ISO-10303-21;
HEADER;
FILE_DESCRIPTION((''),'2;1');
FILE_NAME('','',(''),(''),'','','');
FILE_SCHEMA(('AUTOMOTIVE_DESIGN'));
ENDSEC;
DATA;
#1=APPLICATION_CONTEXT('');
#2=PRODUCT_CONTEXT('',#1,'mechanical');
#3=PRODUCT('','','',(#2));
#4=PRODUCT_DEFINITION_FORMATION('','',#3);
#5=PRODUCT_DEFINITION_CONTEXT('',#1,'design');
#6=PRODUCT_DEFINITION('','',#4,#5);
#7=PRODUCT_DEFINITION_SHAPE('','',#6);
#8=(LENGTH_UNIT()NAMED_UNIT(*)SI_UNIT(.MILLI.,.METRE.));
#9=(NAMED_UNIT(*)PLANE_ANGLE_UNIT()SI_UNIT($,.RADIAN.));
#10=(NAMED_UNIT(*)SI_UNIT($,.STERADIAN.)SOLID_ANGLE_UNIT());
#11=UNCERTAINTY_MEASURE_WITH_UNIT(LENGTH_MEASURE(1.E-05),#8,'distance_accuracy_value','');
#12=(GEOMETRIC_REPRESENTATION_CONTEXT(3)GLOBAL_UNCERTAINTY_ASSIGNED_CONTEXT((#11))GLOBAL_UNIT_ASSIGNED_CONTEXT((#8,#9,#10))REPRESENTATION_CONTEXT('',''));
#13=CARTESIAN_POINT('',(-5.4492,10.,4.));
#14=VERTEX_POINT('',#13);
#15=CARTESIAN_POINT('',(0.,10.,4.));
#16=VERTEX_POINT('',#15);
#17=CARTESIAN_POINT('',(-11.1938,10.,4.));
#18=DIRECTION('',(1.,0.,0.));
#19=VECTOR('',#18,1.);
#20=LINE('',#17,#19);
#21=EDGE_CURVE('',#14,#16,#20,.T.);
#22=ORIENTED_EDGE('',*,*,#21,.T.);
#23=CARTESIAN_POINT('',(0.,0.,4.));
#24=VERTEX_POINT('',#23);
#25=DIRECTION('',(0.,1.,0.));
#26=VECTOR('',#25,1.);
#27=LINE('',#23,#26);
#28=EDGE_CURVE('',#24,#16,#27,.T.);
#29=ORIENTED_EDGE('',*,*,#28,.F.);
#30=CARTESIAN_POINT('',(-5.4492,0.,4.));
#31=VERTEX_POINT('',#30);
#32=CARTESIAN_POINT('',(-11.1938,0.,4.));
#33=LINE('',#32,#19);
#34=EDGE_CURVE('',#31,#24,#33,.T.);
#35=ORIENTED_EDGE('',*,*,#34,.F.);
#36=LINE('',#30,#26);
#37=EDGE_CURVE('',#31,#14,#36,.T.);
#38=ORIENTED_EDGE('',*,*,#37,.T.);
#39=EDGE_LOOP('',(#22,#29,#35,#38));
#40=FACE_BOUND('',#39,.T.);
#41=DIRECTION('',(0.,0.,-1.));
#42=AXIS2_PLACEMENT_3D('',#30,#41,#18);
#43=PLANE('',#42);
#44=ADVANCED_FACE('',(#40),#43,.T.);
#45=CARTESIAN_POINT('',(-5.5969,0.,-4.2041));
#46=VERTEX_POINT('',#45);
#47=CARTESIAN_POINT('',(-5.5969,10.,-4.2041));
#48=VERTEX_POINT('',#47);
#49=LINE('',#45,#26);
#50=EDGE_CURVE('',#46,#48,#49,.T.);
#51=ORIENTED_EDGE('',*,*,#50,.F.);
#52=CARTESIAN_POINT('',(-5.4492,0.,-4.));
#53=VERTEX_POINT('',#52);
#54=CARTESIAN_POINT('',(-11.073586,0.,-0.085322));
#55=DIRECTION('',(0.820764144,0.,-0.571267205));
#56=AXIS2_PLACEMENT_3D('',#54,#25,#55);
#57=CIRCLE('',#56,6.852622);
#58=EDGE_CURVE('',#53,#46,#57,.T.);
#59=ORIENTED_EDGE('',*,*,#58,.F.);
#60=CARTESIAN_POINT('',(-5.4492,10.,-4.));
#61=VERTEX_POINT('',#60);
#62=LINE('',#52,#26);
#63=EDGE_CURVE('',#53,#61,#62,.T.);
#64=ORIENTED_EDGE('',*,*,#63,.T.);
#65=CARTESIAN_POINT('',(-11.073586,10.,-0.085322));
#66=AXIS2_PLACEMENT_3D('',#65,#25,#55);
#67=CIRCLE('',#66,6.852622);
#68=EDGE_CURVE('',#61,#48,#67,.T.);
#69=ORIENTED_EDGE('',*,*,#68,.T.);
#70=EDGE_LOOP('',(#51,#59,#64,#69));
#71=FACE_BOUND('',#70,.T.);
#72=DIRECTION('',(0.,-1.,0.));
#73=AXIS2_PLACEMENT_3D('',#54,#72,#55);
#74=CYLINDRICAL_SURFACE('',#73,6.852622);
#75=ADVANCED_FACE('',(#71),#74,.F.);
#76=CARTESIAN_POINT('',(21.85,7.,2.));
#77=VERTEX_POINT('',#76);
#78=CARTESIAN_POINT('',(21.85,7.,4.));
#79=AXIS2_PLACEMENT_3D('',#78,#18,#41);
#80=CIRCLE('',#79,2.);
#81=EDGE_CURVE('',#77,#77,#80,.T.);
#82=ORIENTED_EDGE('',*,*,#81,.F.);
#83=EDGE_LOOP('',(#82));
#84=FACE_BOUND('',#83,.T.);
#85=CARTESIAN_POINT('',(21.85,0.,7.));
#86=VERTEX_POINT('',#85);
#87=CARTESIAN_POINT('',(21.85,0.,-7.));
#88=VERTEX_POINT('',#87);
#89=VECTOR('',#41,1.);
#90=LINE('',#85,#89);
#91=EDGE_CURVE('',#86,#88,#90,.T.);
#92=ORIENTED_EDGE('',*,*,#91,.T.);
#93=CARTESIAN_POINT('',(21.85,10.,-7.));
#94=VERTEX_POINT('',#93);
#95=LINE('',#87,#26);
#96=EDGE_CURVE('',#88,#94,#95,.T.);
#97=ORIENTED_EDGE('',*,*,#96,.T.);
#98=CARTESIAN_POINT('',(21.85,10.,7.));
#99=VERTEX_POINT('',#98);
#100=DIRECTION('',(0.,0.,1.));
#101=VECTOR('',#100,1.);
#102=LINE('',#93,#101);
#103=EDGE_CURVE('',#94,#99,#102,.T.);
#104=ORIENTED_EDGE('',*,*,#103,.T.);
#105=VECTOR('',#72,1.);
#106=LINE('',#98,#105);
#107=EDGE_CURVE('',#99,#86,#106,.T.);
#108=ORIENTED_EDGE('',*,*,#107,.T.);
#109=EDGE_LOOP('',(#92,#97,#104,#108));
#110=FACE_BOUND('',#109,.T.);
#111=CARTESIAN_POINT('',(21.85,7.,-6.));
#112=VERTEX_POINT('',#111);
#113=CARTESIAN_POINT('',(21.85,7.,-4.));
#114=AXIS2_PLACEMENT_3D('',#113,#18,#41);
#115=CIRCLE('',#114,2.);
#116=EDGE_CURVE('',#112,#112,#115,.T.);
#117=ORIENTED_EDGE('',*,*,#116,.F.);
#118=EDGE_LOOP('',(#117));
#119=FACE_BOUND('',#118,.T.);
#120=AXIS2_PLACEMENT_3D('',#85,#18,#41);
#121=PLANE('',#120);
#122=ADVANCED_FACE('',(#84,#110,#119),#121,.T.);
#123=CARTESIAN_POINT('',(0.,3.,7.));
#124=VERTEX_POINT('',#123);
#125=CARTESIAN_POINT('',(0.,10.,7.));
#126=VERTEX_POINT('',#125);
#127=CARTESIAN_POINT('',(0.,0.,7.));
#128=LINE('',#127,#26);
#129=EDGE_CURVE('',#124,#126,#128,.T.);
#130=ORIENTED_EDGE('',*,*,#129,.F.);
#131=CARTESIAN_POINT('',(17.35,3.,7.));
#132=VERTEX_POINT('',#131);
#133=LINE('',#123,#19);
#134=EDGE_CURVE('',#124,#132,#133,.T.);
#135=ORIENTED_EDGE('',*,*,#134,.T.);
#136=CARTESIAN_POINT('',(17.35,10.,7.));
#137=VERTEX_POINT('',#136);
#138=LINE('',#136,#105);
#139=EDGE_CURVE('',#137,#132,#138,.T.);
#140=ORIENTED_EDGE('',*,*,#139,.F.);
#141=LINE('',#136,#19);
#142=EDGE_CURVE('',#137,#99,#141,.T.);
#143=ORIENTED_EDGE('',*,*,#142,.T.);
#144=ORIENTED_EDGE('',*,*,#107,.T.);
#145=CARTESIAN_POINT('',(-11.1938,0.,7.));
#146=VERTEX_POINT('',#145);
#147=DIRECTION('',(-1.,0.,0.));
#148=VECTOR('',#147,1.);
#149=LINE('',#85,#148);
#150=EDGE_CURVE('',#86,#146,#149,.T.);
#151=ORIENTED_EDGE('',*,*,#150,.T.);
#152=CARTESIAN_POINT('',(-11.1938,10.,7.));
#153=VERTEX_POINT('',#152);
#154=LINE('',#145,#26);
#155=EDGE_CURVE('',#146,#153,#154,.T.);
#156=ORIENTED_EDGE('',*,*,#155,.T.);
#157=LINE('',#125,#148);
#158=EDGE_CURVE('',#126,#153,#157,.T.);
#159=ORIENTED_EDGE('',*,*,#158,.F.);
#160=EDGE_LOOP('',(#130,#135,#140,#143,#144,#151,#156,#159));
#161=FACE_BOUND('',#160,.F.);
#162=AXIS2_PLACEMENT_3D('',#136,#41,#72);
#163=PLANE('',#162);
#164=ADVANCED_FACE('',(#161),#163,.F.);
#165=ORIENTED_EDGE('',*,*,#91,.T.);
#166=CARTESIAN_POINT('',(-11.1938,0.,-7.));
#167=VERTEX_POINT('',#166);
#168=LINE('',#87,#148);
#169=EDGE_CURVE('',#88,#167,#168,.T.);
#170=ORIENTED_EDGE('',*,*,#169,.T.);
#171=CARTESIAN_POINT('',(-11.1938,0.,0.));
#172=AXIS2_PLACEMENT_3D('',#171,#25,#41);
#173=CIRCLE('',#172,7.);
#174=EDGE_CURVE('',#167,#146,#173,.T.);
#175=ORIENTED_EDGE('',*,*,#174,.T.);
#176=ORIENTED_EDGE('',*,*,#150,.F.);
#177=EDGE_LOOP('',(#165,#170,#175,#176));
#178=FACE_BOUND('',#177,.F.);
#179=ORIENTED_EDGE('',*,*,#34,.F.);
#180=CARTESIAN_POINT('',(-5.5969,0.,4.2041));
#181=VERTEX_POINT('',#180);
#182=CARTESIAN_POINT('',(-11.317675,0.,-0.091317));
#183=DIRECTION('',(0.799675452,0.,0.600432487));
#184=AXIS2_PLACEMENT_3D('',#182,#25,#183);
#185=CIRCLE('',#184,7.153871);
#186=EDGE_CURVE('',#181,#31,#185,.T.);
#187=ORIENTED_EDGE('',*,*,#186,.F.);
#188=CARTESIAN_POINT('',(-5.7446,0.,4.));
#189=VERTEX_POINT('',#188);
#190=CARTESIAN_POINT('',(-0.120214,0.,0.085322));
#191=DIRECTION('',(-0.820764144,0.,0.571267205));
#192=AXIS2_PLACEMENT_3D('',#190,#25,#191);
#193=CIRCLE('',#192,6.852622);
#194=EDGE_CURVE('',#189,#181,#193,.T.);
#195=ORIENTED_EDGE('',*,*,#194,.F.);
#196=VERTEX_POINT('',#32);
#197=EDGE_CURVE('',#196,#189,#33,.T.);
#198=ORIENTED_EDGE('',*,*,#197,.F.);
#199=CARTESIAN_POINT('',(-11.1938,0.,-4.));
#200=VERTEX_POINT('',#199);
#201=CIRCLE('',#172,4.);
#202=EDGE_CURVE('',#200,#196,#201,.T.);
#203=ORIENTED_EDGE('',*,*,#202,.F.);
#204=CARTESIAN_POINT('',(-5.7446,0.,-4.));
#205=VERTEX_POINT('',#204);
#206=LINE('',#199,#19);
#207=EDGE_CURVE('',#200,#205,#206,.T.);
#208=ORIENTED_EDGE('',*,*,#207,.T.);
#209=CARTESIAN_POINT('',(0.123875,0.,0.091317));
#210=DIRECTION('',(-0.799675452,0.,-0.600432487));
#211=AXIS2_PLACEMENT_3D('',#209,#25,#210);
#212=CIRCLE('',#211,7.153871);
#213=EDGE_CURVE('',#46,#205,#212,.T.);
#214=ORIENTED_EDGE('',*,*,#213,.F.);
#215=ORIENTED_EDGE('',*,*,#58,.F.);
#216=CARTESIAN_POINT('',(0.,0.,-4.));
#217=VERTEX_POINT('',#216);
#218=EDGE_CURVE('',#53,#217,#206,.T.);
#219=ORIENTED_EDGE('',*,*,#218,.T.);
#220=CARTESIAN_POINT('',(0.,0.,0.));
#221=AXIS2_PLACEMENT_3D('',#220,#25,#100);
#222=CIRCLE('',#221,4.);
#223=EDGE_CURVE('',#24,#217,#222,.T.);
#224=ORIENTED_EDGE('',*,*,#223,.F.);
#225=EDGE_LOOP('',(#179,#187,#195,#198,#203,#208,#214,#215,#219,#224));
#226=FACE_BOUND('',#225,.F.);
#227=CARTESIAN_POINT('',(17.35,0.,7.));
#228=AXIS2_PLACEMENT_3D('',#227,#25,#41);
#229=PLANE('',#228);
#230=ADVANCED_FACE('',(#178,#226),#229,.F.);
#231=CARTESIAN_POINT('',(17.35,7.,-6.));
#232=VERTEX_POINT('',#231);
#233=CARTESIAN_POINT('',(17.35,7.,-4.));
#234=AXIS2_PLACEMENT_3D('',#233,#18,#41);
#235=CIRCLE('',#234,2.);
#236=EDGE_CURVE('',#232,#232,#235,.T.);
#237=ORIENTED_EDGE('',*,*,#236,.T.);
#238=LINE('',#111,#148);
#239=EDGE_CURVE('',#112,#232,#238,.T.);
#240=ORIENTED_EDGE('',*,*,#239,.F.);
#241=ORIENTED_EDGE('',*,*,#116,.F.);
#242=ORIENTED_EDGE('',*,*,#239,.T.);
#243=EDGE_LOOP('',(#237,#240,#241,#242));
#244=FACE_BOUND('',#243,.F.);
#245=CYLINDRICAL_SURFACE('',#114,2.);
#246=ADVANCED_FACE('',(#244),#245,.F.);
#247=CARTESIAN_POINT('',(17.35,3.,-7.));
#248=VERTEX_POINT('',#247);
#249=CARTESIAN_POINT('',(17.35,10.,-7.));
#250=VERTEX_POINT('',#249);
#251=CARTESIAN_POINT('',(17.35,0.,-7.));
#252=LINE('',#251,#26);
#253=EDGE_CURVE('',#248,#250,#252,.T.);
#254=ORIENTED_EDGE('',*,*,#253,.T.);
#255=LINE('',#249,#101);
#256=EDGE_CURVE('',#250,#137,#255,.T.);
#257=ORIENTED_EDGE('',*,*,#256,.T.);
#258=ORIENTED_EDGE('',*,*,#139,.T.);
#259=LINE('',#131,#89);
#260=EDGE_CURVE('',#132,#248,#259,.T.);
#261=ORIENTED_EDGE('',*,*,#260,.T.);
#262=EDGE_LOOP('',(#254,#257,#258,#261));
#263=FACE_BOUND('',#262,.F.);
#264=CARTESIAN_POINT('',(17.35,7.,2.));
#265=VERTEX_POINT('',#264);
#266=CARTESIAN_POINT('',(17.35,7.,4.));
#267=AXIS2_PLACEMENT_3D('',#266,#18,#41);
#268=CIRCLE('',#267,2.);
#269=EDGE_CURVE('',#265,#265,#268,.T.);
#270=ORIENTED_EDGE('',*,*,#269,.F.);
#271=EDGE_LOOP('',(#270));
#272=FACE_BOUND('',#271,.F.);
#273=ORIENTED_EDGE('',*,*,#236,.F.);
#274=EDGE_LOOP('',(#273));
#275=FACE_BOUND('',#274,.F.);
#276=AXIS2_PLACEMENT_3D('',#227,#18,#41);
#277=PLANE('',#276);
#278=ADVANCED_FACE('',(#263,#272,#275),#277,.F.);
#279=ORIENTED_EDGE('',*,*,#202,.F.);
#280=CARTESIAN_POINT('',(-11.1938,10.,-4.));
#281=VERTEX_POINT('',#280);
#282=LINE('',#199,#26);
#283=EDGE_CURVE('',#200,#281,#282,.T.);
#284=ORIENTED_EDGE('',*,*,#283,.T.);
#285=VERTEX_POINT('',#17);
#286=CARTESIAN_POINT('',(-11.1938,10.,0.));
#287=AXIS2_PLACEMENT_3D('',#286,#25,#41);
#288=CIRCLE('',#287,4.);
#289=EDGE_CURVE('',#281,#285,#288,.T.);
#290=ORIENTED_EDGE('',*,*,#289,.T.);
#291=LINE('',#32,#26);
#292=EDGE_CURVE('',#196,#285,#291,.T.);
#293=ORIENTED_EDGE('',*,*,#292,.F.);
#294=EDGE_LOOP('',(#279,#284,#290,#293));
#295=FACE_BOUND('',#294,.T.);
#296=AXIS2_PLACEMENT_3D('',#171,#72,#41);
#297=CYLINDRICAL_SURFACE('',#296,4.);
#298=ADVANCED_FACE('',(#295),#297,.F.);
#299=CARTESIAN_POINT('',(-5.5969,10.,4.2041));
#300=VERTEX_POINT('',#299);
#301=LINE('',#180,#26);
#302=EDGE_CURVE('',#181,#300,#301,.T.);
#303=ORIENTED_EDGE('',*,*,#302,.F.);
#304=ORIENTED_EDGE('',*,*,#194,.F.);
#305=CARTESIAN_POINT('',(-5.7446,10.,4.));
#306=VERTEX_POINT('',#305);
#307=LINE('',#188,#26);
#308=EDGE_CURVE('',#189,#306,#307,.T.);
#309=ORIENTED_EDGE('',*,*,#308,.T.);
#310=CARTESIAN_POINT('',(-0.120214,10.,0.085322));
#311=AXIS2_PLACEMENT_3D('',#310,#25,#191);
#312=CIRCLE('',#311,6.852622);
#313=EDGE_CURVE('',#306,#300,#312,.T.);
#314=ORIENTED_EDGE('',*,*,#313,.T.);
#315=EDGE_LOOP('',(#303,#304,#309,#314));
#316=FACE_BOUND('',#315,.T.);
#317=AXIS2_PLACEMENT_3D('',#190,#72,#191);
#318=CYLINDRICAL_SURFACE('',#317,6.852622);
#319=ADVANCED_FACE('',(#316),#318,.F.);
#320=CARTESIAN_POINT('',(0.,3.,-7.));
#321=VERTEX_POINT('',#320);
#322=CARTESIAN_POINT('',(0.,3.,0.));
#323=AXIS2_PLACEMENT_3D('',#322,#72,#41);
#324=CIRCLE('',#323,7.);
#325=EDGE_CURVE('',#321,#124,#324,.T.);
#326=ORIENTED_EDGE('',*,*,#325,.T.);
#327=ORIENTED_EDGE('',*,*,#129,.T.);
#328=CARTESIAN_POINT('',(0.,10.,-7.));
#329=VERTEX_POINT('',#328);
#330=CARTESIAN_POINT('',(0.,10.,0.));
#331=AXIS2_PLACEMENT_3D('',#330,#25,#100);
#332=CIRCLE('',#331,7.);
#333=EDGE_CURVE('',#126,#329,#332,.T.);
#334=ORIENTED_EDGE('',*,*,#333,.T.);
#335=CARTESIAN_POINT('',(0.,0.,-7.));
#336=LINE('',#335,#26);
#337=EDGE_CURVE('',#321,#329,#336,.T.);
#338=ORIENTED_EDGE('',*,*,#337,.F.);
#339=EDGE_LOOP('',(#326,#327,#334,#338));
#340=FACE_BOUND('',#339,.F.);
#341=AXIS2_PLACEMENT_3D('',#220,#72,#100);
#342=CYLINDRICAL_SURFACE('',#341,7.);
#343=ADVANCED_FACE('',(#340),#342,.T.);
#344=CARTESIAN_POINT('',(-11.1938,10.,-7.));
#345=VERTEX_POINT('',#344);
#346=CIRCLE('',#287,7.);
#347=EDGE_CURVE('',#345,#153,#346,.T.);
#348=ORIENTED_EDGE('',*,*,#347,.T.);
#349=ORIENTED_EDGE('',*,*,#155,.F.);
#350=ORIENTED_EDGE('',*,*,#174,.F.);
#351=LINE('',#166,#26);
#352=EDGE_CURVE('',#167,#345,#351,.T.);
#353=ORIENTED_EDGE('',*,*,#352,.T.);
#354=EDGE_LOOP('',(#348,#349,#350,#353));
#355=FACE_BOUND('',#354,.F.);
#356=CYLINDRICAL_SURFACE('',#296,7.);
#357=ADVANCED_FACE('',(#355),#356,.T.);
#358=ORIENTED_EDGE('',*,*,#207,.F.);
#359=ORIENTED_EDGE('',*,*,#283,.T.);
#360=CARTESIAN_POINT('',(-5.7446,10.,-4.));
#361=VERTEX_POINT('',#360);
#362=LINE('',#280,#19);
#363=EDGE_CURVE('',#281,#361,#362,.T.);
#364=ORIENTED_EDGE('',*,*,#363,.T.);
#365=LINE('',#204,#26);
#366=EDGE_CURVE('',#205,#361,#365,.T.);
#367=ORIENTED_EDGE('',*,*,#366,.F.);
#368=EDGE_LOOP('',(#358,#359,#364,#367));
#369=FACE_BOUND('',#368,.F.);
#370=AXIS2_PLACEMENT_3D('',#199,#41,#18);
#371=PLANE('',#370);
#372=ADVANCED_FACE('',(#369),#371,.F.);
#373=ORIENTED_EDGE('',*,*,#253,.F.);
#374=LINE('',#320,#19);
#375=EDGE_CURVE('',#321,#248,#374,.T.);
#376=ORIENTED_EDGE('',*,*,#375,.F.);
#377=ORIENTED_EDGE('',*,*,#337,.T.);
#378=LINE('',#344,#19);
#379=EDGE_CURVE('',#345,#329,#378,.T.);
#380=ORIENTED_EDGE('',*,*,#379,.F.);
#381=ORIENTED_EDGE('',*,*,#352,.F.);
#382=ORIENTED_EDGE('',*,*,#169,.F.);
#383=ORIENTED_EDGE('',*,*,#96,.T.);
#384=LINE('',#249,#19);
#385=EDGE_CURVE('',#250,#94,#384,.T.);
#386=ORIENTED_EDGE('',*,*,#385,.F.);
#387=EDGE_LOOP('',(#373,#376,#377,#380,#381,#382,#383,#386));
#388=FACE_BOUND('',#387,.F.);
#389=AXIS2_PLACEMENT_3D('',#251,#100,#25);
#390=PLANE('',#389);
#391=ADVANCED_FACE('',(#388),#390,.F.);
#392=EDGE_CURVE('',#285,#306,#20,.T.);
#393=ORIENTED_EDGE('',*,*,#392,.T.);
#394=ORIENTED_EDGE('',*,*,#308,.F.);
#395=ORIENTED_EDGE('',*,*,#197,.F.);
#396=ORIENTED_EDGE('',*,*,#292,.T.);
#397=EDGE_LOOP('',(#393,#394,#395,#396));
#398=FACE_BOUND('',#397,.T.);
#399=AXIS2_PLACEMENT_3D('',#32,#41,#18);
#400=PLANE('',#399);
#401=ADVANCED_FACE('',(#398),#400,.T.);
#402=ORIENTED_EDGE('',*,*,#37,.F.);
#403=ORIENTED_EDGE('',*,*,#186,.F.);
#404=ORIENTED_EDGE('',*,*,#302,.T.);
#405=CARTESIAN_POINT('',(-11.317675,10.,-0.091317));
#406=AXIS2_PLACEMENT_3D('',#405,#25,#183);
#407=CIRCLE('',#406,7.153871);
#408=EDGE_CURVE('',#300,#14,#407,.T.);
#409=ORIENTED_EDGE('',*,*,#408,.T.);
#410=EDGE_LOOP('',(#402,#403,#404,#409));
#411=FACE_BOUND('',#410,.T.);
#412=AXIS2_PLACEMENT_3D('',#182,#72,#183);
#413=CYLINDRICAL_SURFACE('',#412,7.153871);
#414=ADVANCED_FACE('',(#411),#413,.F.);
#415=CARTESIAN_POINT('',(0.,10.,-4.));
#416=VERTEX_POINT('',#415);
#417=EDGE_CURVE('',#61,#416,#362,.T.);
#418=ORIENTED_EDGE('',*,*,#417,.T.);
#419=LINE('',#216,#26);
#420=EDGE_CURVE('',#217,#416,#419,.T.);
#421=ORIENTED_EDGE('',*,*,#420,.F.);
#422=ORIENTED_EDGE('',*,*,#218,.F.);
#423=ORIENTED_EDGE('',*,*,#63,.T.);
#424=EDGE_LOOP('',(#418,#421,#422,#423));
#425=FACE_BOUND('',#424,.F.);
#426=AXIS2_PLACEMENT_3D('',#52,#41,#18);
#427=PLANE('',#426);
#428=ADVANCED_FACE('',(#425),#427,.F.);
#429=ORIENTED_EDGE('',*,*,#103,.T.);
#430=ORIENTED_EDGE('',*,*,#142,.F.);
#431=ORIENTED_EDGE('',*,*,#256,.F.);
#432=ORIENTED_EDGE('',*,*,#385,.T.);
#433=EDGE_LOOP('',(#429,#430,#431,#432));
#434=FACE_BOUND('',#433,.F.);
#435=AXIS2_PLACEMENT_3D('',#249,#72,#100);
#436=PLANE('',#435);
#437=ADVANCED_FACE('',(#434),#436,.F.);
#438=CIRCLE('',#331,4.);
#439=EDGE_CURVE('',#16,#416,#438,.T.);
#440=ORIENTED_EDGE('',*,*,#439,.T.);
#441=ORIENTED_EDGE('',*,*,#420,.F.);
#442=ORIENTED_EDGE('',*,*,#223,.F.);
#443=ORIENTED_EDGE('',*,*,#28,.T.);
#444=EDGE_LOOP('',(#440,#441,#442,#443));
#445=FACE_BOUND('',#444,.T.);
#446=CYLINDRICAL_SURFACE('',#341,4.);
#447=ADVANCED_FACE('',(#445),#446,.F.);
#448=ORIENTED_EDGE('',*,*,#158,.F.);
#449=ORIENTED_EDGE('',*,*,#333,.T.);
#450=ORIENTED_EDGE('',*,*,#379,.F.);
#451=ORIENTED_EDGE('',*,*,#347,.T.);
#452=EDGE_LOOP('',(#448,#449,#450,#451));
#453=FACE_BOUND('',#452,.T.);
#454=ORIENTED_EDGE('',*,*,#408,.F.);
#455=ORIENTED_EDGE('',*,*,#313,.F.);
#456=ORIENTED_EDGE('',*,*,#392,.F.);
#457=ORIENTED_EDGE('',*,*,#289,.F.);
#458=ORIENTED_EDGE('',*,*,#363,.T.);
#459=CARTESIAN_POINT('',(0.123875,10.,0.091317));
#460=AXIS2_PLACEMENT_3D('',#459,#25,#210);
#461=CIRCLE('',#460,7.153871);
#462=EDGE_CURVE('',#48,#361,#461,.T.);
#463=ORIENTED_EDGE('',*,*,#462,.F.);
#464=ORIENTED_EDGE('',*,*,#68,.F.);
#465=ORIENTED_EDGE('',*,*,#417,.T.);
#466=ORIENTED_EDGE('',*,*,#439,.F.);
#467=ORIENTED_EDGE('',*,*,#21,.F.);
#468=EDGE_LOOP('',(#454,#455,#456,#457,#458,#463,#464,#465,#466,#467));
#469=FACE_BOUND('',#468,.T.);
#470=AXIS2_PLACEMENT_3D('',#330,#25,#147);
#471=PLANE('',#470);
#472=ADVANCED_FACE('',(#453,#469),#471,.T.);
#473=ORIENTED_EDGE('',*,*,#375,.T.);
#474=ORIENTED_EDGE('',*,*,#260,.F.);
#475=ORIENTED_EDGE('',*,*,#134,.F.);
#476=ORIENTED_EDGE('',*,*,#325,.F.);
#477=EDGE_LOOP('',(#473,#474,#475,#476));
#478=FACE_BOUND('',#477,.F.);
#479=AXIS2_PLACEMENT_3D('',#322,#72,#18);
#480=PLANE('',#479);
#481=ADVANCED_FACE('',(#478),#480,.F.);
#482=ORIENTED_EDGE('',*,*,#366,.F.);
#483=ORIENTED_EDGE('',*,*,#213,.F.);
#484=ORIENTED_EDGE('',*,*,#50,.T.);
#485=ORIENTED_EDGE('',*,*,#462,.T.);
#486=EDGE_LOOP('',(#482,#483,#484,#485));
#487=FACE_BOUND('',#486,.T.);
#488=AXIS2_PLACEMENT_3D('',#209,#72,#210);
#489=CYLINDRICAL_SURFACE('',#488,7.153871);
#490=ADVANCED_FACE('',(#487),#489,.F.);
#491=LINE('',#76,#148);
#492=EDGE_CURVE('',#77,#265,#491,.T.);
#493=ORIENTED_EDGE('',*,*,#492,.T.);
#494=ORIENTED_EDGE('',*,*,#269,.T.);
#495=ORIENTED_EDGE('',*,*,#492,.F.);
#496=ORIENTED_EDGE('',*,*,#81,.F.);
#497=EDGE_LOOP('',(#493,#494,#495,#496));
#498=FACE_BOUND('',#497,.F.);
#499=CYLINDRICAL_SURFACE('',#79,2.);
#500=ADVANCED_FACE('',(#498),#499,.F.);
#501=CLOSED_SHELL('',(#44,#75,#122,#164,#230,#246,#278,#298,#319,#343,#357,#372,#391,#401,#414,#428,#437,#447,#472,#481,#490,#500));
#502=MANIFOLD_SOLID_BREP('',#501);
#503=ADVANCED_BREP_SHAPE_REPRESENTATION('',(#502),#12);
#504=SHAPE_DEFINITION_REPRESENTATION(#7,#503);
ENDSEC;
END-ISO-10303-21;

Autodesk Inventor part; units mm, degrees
ref_plane "YZ Plane" through (0, 0, 0) normal (1, 0, 0) x (0, 1, 0)
ref_plane "XZ Plane" through (0, 0, 0) normal (0, 1, 0) x (-1, 0, 0)
ref_plane "XY Plane" through (0, 0, 0) normal (0, 0, 1) x (1, 0, 0)
sketch "Sketch1" plane through (0, 0, 0) normal (0, 1, 0) x (-1, 0, 0)
  arc A0 (0, 4) -> (0, -4) centre (0, 0) ccw
  arc A1 (11.1938, -4) -> (11.1938, 4) centre (11.1938, 0) ccw
  line L0 (11.1938, -4) -> (0, -4)
  line L1 (11.1938, 4) -> (0, 4)
  line L2 (11.1938, -7) -> (0, -7)
  line L3 (0, 7) -> (11.1938, 7)
  arc A2 (5.5969, 4.2041) -> (5.4492, 4) centre (11.1938, 0) ccw
  arc A3 (5.7446, 4) -> (5.5969, 4.2041) centre (0, 0) ccw
  arc A4 (5.4492, -4) -> (5.5969, -4.2041) centre (11.1938, 0) ccw
  arc A5 (11.1938, -7) -> (11.1938, 7) centre (11.1938, 0) ccw
  arc A6 (0, 7) -> (0, -7) centre (0, 0) ccw
  arc A7 (5.5969, -4.2041) -> (5.7446, -4) centre (0, 0) ccw
  dimension "d0" = 8
  dimension "d1" = 8
extrude "Extrusion1" add sketch "Sketch1" along normal blind 10
sketch "Sketch2" plane through (0, 0, 0) normal (0, -1, 0) x (1, 0, 0)
  arc A0 (0, -7) -> (0, 7) centre (0, 0) ccw
  arc A1 (0, -4) -> (0, 4) centre (0, 0) ccw
  line L0 (0, -7) -> (0, -4)
  line L1 (0, 4) -> (0, 7)
  line L2 (0, -7) -> (-11.1938, -7) projected
  line L3 (0, -7) -> (17.35, -7)
  arc A2 (0, -7) -> (0, 7) centre (0, 0) ccw projected
  line L4 (0, 7) -> (17.35, 7)
  line L5 (17.35, 7) -> (17.35, -7)
  dimension "d6" = 17.35
extrude "Extrusion2" add sketch "Sketch2" against normal blind 3 contours A0 L4 L5 L3
sketch "Sketch3" plane through (17.35, 0, 7) normal (1, 0, 0) x (0, 0, -1)
  line L0 (14, 10) -> (0, 10) projected
  line L1 (0, 0) -> (14, 0)
  line L2 (14, 0) -> (14, 10)
  line L3 (14, 10) -> (0, 10)
  line L4 (0, 10) -> (0, 0)
  point P0 (7, 0)
extrude "Extrusion3" add sketch "Sketch3" along normal blind 4.5
sketch "Sketch4" plane through (21.85, 0, 7) normal (1, 0, 0) x (0, 0, -1)
  circle A0 centre (3, 7) radius 2
  circle A1 centre (11, 7) radius 2
  line L0 (14, 10) -> (0, 10) projected
  line L1 (0, 10) -> (0, 0) projected
  line L2 (14, 0) -> (14, 10) projected
  point P0 (7, 0)
  dimension "d11" = 4
  dimension "d12" = 4
  dimension "d13" = 3
  dimension "d14" = 3
  dimension "d15" = 3
  dimension "d16" = 3
extrude "Extrusion4" cut sketch "Sketch4" against normal blind 5
properties part number "bedtiedown2"
